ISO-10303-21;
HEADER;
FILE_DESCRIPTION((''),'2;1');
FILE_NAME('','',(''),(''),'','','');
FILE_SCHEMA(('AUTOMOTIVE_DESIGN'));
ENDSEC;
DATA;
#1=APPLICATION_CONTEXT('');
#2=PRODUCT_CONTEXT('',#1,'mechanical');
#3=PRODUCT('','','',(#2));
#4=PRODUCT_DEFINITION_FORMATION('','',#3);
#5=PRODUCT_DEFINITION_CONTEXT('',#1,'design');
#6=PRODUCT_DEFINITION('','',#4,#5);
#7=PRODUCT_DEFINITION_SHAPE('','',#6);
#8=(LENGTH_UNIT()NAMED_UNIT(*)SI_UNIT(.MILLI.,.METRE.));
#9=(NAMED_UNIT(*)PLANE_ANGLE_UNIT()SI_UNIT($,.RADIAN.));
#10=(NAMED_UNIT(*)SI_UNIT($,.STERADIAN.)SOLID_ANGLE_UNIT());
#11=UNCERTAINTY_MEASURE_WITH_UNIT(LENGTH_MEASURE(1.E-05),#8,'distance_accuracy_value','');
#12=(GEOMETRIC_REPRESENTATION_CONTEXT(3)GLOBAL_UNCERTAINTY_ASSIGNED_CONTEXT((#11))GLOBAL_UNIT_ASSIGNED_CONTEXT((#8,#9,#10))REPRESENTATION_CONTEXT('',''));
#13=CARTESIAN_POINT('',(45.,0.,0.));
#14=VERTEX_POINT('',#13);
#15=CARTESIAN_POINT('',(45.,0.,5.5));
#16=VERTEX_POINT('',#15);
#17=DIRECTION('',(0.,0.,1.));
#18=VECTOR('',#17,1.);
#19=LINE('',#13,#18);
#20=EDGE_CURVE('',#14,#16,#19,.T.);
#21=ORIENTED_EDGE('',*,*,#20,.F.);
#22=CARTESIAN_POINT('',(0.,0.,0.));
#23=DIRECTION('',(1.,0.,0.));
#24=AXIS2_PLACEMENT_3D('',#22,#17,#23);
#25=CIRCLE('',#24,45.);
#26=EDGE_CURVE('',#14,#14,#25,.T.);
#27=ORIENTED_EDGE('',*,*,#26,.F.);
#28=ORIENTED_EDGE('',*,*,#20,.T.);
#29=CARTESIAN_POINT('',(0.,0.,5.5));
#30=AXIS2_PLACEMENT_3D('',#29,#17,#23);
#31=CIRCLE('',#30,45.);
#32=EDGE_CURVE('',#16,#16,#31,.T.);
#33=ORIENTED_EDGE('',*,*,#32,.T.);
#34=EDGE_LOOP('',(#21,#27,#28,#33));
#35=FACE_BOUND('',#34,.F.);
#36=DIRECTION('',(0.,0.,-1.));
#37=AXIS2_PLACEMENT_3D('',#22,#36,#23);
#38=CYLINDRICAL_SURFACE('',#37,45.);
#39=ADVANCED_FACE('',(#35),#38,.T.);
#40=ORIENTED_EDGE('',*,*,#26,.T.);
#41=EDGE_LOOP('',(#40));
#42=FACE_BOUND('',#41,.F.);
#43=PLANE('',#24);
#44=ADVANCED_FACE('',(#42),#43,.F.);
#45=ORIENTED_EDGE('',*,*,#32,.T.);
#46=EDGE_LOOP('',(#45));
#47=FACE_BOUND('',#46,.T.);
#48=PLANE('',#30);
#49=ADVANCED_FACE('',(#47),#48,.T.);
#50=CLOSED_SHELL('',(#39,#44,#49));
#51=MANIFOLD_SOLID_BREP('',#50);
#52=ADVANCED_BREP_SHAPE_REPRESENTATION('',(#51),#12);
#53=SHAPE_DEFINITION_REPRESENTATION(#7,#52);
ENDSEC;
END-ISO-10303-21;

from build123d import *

# Parameters (mm, degrees)
SKETCH_1_R  = 45
PAD_1_DEPTH = 5.5


with BuildPart() as part:
    # Sketch_1 → Pad_1 (new body)
    with BuildSketch(Plane.XY):
        Circle(SKETCH_1_R)
    extrude(amount=PAD_1_DEPTH)


solid = part.part
